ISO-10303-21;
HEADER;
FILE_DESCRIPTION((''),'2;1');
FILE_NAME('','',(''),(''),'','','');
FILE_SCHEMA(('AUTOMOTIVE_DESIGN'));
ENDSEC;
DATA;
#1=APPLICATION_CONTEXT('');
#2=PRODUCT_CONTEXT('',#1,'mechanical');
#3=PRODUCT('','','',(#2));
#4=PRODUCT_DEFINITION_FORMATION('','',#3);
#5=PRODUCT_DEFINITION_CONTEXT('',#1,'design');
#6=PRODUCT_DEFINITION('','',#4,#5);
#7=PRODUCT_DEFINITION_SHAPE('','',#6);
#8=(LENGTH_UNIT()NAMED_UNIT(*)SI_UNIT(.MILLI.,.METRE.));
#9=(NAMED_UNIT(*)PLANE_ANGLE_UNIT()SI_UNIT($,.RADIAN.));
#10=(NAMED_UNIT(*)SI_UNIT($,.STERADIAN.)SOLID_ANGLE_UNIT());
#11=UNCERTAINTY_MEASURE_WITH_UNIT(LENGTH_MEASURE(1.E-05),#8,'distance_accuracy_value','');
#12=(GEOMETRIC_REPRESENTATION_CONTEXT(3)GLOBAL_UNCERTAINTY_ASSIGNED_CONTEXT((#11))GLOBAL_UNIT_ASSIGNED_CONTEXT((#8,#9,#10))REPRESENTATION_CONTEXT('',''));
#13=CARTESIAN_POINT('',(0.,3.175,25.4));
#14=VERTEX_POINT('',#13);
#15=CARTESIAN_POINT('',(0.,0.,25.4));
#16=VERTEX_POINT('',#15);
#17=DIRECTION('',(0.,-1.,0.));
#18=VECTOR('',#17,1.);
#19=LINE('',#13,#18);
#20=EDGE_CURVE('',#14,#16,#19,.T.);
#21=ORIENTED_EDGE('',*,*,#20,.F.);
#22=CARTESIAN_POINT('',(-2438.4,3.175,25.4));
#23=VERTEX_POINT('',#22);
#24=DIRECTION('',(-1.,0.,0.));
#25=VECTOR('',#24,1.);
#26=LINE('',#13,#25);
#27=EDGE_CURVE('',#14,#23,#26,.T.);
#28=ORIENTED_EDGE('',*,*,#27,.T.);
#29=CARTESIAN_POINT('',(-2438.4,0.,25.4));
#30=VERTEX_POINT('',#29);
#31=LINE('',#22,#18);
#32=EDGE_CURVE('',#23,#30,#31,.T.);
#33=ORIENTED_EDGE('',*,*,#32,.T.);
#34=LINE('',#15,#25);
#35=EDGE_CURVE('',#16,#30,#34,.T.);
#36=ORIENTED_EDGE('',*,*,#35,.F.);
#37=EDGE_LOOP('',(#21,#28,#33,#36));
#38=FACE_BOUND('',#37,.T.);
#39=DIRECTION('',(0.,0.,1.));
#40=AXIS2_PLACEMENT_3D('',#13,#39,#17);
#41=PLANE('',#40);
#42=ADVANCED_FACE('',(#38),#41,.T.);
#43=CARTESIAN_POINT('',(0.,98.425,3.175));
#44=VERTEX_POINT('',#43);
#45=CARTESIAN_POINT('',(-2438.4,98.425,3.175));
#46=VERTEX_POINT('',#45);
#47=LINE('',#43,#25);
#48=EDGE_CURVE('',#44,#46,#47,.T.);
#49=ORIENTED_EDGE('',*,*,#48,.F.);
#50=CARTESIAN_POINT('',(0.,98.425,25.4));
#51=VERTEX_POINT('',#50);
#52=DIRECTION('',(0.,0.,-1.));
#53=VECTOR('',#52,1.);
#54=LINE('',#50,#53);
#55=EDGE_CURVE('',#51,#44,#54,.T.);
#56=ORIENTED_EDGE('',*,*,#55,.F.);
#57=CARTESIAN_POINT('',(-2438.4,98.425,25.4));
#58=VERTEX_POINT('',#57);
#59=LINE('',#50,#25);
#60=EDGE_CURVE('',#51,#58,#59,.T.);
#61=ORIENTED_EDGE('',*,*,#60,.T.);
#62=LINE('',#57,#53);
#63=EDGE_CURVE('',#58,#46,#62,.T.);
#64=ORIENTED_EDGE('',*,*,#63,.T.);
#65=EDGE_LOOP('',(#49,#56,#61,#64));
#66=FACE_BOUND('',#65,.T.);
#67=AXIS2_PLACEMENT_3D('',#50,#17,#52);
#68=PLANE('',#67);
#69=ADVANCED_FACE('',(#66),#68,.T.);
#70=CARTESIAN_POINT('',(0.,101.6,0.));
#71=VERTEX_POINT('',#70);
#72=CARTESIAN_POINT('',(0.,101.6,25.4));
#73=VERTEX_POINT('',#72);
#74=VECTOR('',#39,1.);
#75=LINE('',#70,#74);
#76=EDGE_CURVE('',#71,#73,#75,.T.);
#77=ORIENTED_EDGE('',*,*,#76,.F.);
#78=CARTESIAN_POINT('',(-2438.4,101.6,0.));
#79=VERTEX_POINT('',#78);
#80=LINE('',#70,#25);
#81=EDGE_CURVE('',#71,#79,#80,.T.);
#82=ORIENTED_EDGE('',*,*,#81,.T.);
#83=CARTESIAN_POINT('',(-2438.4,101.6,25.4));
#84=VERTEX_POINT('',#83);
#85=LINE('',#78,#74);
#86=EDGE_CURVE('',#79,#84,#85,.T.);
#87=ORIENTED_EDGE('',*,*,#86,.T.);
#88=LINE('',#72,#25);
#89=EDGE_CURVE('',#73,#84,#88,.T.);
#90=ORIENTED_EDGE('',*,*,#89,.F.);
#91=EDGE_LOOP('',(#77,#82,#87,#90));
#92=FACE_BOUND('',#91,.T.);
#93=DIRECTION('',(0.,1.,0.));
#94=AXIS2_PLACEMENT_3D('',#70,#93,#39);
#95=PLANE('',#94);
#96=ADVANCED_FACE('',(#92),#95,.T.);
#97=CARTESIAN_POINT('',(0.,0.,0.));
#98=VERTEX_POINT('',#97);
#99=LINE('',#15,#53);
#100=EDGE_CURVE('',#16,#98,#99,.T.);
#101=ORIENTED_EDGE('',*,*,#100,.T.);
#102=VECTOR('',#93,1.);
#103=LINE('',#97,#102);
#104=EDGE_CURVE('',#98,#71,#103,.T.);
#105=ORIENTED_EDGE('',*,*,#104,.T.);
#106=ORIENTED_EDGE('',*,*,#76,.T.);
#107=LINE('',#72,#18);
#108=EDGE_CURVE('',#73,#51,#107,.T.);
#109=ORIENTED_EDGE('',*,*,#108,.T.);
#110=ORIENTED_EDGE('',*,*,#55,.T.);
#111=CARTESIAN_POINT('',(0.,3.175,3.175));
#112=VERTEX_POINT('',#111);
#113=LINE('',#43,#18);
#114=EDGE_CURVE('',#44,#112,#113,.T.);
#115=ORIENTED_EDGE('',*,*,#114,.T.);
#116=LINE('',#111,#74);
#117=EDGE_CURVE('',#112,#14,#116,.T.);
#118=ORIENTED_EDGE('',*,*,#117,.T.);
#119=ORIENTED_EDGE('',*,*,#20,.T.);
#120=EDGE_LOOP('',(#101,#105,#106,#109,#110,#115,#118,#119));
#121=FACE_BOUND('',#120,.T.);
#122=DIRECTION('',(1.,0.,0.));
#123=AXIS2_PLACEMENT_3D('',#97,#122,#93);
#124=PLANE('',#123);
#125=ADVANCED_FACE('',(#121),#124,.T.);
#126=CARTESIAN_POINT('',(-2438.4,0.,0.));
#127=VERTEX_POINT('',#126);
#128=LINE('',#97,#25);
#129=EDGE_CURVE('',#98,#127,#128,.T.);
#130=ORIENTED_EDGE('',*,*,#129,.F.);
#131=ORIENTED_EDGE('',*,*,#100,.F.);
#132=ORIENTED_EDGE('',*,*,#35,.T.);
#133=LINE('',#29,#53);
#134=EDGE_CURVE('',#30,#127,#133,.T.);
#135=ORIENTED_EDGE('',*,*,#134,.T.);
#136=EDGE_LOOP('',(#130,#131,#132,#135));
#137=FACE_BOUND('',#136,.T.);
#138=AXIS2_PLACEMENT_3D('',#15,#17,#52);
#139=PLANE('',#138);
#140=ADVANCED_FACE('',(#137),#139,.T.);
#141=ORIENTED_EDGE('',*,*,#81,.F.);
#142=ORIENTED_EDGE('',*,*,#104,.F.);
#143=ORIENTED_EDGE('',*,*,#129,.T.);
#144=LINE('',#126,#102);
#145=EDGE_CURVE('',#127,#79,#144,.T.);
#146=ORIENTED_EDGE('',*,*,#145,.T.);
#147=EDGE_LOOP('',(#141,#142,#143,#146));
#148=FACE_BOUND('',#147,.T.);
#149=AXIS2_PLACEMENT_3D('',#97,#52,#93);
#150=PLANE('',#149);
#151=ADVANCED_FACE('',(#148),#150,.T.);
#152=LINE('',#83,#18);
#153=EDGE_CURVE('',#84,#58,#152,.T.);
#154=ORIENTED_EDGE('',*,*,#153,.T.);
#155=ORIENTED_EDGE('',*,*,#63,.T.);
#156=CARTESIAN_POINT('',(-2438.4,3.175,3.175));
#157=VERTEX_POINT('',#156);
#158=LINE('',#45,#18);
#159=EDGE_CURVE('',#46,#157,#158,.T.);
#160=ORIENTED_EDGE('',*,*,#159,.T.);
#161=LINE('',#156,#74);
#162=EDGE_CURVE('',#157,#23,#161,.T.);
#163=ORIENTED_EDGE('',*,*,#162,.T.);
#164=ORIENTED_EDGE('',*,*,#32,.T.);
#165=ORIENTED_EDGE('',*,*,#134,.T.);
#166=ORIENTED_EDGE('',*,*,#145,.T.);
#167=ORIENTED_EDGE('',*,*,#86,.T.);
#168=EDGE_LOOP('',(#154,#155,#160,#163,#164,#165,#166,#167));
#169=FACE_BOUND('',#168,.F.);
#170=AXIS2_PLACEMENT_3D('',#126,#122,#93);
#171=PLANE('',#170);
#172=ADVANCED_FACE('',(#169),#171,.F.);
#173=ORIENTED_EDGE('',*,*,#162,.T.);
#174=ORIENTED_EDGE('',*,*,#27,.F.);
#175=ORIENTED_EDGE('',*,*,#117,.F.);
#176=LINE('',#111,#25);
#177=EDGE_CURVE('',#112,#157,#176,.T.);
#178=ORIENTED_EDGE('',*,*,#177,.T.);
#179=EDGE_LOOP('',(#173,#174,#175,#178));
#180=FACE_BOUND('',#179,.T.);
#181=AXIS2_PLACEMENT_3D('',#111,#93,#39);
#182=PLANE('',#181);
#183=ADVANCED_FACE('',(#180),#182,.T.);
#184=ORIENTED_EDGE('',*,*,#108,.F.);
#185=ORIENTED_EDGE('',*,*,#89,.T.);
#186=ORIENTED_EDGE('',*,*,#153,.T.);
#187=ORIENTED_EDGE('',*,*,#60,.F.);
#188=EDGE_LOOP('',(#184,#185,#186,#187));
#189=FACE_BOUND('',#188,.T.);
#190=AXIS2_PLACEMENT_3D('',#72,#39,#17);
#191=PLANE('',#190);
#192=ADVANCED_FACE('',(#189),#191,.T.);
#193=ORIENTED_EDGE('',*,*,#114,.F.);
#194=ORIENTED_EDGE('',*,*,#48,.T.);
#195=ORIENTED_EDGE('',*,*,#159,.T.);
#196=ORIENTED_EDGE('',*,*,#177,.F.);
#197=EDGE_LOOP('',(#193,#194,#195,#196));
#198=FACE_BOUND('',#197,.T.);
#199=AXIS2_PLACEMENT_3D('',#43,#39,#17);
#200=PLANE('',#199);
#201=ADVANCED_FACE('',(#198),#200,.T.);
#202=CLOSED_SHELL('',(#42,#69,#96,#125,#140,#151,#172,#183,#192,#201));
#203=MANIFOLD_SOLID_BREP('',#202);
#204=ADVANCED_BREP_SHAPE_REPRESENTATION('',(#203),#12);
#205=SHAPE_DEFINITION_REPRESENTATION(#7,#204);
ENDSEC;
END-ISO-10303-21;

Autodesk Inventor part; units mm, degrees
ref_plane "YZ Plane" through (0, 0, 0) normal (1, 0, 0) x (0, 1, 0)
ref_plane "XZ Plane" through (0, 0, 0) normal (0, 1, 0) x (-1, 0, 0)
ref_plane "XY Plane" through (0, 0, 0) normal (0, 0, 1) x (1, 0, 0)
sketch "Sketch1" plane through (0, 0, 0) normal (1, 0, 0) x (0, 1, 0)
  line L0 (0, 0) -> (101.6, 0)
  line L1 (101.6, 0) -> (101.6, 25.4)
  line L2 (0, 25.4) -> (0, 0)
  line L3 (98.425, 25.4) -> (98.425, 3.175)
  line L4 (98.425, 3.175) -> (3.175, 3.175)
  line L5 (3.175, 3.175) -> (3.175, 25.4)
  line L6 (101.6, 25.4) -> (98.425, 25.4)
  line L7 (3.175, 25.4) -> (0, 25.4)
  dimension "d0" = 101.6
  dimension "d1" = 25.4
  dimension "d2" = 3.175
extrude "Extrusion1" add sketch "Sketch1" against normal blind 2438.4
properties material "Aluminum 6061"
